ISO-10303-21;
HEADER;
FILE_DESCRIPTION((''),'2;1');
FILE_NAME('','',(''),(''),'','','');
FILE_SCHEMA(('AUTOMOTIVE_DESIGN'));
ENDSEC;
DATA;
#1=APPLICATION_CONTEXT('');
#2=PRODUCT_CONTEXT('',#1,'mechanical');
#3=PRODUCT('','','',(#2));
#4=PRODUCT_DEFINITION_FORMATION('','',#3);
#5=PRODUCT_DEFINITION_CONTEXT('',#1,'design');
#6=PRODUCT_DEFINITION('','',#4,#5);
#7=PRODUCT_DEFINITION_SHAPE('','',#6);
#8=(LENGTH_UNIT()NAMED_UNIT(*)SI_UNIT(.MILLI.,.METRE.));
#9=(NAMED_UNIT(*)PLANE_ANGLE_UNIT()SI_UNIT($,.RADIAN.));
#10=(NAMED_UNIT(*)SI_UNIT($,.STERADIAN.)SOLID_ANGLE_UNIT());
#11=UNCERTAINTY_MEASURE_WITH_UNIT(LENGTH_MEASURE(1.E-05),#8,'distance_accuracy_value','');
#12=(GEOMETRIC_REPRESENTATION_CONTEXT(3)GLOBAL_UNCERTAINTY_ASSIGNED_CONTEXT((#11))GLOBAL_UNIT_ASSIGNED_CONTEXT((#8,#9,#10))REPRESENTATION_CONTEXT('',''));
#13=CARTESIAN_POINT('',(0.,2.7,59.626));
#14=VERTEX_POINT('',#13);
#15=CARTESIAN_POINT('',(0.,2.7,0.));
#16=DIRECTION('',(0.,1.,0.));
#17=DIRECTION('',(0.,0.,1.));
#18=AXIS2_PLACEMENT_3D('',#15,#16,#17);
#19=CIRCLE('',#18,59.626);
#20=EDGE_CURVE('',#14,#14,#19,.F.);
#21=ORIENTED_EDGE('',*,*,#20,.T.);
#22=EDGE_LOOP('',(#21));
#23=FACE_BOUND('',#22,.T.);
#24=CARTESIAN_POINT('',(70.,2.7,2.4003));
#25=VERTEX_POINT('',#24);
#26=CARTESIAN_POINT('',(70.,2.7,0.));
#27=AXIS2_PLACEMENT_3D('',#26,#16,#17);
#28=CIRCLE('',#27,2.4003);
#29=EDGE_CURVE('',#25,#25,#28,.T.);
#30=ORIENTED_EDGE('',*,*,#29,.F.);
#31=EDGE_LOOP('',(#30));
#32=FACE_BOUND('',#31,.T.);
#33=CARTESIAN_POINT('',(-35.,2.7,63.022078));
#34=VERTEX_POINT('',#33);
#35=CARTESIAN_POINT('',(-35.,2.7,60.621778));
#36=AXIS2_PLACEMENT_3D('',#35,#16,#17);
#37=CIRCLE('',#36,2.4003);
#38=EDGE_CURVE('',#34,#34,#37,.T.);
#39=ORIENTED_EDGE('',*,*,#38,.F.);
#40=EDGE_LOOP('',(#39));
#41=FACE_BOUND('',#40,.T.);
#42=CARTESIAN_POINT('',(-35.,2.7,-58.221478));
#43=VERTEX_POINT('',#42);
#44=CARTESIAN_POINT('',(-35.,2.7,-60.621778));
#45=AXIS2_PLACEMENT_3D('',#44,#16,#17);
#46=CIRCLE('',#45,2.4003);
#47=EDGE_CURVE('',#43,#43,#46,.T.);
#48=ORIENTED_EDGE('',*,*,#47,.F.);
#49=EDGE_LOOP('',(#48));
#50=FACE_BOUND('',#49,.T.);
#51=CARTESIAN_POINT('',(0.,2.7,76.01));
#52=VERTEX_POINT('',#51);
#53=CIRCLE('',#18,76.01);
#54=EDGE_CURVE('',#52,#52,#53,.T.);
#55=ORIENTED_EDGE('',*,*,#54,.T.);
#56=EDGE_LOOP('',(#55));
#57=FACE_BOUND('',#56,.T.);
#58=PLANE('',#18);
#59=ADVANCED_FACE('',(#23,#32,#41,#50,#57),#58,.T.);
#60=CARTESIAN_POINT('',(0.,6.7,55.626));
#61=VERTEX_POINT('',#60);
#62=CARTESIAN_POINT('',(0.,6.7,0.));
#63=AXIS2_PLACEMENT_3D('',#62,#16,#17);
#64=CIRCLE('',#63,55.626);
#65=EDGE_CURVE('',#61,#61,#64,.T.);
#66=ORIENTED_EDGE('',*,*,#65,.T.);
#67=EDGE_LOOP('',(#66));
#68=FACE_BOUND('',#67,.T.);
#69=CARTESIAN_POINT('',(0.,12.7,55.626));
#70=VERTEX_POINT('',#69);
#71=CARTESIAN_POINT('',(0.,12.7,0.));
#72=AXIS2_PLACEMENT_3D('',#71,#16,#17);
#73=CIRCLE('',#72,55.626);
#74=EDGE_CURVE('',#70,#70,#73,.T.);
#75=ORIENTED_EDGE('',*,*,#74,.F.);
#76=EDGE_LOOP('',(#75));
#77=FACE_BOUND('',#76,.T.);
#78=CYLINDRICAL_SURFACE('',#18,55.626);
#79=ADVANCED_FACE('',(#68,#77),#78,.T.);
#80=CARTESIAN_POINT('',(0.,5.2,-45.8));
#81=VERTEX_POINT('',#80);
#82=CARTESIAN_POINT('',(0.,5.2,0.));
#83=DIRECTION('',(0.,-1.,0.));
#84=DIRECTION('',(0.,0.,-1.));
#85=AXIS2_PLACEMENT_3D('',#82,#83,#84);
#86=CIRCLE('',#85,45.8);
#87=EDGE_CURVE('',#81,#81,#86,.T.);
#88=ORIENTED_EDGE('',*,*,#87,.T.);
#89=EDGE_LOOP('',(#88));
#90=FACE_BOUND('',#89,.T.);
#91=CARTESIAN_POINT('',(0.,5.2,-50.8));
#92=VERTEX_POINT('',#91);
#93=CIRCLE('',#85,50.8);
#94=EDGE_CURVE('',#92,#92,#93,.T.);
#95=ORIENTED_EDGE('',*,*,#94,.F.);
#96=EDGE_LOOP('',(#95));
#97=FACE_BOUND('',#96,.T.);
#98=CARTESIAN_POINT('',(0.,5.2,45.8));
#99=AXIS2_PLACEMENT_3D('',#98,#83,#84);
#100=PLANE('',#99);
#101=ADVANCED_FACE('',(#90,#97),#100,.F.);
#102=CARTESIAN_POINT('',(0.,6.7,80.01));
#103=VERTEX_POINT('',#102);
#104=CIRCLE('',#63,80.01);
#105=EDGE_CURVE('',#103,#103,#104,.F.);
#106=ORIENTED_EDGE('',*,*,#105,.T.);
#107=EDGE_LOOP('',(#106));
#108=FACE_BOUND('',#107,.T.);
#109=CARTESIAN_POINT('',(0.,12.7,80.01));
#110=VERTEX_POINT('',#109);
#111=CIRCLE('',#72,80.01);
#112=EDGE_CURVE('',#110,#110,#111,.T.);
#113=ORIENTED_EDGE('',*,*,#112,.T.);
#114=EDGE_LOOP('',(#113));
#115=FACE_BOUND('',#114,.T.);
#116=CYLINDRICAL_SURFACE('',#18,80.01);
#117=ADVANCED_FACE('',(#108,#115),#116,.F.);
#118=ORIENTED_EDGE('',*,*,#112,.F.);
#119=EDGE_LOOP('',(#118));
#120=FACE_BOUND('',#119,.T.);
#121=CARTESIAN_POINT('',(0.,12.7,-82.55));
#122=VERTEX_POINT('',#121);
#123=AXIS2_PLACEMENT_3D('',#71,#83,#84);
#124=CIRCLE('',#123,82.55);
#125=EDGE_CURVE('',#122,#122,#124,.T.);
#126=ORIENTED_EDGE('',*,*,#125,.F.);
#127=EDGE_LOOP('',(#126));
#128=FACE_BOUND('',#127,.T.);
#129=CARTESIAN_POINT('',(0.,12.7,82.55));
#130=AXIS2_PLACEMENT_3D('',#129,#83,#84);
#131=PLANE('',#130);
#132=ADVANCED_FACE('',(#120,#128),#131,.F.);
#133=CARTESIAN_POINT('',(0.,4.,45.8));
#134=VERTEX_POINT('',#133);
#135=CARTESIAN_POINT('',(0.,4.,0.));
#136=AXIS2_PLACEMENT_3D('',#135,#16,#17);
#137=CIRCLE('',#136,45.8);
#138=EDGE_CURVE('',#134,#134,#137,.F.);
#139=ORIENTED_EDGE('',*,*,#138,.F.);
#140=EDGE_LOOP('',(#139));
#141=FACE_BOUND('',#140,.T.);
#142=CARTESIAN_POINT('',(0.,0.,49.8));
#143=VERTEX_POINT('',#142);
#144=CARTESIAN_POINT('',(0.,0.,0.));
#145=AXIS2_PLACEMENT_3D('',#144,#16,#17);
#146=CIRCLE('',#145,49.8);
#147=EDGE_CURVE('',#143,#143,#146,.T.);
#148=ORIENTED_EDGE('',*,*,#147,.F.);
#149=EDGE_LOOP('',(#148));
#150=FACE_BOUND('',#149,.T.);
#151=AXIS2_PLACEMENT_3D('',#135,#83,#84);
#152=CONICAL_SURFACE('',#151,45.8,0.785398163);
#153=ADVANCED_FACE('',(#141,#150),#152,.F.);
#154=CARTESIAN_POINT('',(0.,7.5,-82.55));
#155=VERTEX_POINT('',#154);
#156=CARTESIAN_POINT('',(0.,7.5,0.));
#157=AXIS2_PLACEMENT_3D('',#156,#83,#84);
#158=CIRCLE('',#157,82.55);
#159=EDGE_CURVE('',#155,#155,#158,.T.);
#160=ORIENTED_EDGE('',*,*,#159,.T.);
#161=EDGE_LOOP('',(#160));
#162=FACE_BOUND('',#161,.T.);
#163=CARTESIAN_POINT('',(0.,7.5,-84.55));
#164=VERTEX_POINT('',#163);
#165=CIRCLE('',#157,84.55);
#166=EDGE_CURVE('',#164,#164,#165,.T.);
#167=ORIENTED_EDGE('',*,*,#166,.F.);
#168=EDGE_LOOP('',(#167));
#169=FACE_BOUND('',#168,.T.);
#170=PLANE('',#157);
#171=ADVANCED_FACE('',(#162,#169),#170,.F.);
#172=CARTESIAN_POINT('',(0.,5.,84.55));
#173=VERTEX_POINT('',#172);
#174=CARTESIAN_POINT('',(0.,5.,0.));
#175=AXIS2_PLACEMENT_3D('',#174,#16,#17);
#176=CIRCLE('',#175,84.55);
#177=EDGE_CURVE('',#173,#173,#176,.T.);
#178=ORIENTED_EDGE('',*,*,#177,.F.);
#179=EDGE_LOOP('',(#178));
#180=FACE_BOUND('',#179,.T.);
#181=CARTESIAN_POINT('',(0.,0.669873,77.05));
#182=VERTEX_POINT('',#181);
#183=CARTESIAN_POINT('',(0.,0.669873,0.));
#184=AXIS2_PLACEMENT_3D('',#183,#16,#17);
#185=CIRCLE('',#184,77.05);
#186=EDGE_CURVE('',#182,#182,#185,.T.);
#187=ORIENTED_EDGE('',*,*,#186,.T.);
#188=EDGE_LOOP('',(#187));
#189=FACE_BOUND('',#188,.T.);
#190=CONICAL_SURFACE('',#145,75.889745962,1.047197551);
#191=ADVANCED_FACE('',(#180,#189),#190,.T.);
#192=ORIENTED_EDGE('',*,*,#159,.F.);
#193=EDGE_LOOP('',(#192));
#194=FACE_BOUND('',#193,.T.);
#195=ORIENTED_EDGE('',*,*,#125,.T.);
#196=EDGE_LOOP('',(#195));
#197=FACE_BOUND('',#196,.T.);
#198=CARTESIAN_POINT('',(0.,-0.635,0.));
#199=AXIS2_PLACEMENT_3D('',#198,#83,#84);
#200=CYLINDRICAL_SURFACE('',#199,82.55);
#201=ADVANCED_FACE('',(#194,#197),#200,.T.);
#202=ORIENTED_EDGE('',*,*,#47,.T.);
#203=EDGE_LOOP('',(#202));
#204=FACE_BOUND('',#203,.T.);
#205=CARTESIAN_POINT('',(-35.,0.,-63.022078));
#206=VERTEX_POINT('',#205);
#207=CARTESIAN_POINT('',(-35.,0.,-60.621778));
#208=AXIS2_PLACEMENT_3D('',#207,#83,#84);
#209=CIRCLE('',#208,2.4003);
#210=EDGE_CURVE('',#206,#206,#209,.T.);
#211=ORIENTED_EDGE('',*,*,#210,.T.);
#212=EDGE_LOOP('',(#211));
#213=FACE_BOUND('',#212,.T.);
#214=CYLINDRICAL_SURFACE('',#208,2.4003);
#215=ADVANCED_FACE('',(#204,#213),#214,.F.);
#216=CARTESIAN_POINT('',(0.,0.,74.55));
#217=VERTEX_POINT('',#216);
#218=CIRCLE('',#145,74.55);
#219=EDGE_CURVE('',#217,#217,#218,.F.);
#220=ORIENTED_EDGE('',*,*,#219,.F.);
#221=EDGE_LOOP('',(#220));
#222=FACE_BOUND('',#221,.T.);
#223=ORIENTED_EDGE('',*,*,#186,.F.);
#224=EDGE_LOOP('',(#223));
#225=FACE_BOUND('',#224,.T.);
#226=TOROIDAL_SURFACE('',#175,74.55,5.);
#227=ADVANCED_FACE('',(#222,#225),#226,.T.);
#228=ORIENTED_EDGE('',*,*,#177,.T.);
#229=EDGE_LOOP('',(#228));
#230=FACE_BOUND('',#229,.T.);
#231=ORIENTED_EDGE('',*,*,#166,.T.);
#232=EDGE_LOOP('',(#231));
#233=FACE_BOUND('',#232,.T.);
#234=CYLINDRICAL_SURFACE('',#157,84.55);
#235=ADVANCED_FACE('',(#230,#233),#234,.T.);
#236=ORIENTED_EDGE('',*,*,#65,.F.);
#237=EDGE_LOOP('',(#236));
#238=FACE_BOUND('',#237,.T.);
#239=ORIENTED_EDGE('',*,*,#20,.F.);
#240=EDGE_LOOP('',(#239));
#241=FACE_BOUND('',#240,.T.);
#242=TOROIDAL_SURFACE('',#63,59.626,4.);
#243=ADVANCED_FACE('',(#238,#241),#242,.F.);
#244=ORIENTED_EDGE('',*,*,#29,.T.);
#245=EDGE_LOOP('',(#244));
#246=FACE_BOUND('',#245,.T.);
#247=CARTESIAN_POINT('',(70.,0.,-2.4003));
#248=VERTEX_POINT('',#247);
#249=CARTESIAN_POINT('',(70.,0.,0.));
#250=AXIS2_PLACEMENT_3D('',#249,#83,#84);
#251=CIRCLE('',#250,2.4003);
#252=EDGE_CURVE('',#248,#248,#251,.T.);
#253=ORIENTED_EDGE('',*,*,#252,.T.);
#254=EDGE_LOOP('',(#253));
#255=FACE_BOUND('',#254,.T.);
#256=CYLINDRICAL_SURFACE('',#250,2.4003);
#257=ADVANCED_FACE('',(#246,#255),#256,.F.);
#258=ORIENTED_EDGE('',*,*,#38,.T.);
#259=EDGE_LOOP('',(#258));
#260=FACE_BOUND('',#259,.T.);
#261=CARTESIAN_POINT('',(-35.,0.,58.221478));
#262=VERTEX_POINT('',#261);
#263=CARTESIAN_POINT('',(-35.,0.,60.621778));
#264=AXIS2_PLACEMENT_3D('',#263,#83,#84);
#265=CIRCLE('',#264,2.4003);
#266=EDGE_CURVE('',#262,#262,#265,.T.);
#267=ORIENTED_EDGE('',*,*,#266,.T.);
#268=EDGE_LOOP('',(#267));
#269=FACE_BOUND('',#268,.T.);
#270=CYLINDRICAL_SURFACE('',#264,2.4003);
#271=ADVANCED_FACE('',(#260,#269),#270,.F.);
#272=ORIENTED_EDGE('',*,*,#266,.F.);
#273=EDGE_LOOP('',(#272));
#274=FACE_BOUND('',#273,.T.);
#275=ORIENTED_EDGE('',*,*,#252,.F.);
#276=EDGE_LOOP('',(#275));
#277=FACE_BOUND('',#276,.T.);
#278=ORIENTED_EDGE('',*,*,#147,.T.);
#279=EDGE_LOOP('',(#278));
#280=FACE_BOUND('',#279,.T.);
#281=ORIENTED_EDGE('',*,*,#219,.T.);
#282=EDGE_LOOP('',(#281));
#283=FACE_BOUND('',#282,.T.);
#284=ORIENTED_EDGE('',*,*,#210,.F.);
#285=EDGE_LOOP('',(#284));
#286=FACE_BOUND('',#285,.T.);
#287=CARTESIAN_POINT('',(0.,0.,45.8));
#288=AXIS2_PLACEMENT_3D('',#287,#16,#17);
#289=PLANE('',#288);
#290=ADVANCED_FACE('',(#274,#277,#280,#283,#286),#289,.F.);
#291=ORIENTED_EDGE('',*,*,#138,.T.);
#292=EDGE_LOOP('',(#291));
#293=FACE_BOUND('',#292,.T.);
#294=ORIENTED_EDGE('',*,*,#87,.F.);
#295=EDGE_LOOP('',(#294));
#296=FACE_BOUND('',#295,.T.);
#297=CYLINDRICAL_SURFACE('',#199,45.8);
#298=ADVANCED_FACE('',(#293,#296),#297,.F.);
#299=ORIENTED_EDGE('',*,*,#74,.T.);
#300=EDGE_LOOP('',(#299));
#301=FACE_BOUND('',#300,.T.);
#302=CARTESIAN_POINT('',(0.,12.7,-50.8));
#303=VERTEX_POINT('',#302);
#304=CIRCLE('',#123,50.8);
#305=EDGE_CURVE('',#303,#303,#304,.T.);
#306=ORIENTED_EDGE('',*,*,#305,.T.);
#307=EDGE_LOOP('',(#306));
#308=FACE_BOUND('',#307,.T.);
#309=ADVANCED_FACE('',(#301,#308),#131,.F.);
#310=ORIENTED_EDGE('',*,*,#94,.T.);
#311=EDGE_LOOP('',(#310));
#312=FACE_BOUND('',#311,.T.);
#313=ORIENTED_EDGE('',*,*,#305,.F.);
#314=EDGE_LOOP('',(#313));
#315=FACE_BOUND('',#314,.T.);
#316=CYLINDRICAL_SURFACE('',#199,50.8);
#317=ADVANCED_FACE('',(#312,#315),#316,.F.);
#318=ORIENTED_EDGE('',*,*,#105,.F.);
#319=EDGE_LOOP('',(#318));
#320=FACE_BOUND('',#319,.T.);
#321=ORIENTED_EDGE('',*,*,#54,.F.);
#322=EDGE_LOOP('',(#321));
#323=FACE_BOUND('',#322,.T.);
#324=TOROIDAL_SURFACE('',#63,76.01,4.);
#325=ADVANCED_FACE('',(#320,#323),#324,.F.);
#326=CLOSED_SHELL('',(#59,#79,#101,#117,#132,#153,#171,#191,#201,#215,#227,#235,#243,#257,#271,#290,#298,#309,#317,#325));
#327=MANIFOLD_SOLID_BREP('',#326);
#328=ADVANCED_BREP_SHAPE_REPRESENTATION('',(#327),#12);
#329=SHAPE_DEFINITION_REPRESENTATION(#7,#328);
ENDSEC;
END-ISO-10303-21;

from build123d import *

# Parameters (mm, degrees)
F_90_0_0087_DIAMETER_HOLE1_D = 0.22098
CIRPATTERN3_COUNT            = 3
SKETCH8_R                    = 80.01
SKETCH8_R_2                  = 55.626
CUT_EXTRUDE1_DEPTH           = 10
FILLET5_R                    = 4
CHAMFER1_SIZE                = 4
SKETCH10_R                   = 84.55
SKETCH10_R_2                 = 82.55
BOSS_EXTRUDE1_DEPTH          = 7.5
CHAMFER3_SIZE                = 5
CHAMFER3_SIZE2               = 8.660254038
FILLET4_R                    = 5
F_12_0_189_DIAMETER_HOLE1_D  = 4.8006
CIRPATTERN5_COUNT            = 3


with BuildPart() as part:
    # Sketch2 → Revolve1 (revolve)
    with BuildSketch(Plane(origin=(0, 0, 0), x_dir=(0, 0, -1), z_dir=(1, 0, 0))):
        Polygon((-45.8, 0), (-82.55, 0), (-82.55, 12.7), (-50.8, 12.7), (-50.8, 5.2), (-45.8, 5.2), align=None)
    revolve(axis=Axis((0, -0.635, 0), (0, 1, 0)))

    # #90 (0.0087) Diameter Hole1 (through all)
    with Locations(Plane(origin=(0, 12.7, 0), x_dir=(1, 0, 0), z_dir=(0, 1, 0))):
        with Locations((-35, 60.621778265)):
            f_90_0_0087_diameter_hole1 = Hole(F_90_0_0087_DIAMETER_HOLE1_D / 2)

    # CirPattern3: #90 (0.0087) Diameter Hole1 ×3 about axis
    cirpattern3_axis = Axis((0, 0, 0), (0, 1, 0))
    for i in range(1, CIRPATTERN3_COUNT):
        add(f_90_0_0087_diameter_hole1.rotate(cirpattern3_axis, i * 360 / CIRPATTERN3_COUNT), mode=Mode.SUBTRACT)

    # Sketch8 → Cut-Extrude1 (cut)
    with BuildSketch(Plane(origin=(0, 12.7, 0), x_dir=(1, 0, 0), z_dir=(0, 1, 0))):
        Circle(SKETCH8_R)
        Circle(SKETCH8_R_2, mode=Mode.SUBTRACT)
    extrude(amount=-CUT_EXTRUDE1_DEPTH, mode=Mode.SUBTRACT)

    # Fillet5
    fillet5_edges = [part.edges().sort_by_distance(p)[0] for p in [
        (-55.626, 2.7, 0),
        (-80.01, 2.7, 0),
    ]]
    fillet(fillet5_edges, radius=FILLET5_R)

    # Chamfer1
    chamfer1_edges = [part.edges().sort_by_distance(p)[0] for p in [
        (0, 0, -45.8),
    ]]
    chamfer(chamfer1_edges, length=CHAMFER1_SIZE)

    # Sketch10 → Boss-Extrude1 (add)
    with BuildSketch(Plane.XZ):
        Circle(SKETCH10_R)
        Circle(SKETCH10_R_2, mode=Mode.SUBTRACT)
    extrude(amount=-BOSS_EXTRUDE1_DEPTH)

    # Chamfer3
    chamfer3_edges = [part.edges().sort_by_distance(p)[0] for p in [
        (-84.55, 0, 0),
    ]]
    chamfer3_side = [part.faces().sort_by_distance(p)[0] for p in [
        (-84.55, 3.75, 0),
    ]]
    chamfer(chamfer3_edges, length=CHAMFER3_SIZE, length2=CHAMFER3_SIZE2, reference=chamfer3_side[0])

    # Fillet4
    fillet4_edges = [part.edges().sort_by_distance(p)[0] for p in [
        (-75.889745962, 0, 0),
    ]]
    fillet(fillet4_edges, radius=FILLET4_R)

    # #12 (0.189) Diameter Hole1 (through all)
    with Locations(Plane(origin=(0, 0, 0), x_dir=(-1, 0, 0), z_dir=(0, -1, 0))):
        with Locations((35, 60.621778265)):
            f_12_0_189_diameter_hole1 = Hole(F_12_0_189_DIAMETER_HOLE1_D / 2)

    # CirPattern5: #12 (0.189) Diameter Hole1 ×3 about axis
    cirpattern5_axis = Axis((0, 0, 0), (0, 1, 0))
    for i in range(1, CIRPATTERN5_COUNT):
        add(f_12_0_189_diameter_hole1.rotate(cirpattern5_axis, i * 360 / CIRPATTERN5_COUNT), mode=Mode.SUBTRACT)


solid = part.part
